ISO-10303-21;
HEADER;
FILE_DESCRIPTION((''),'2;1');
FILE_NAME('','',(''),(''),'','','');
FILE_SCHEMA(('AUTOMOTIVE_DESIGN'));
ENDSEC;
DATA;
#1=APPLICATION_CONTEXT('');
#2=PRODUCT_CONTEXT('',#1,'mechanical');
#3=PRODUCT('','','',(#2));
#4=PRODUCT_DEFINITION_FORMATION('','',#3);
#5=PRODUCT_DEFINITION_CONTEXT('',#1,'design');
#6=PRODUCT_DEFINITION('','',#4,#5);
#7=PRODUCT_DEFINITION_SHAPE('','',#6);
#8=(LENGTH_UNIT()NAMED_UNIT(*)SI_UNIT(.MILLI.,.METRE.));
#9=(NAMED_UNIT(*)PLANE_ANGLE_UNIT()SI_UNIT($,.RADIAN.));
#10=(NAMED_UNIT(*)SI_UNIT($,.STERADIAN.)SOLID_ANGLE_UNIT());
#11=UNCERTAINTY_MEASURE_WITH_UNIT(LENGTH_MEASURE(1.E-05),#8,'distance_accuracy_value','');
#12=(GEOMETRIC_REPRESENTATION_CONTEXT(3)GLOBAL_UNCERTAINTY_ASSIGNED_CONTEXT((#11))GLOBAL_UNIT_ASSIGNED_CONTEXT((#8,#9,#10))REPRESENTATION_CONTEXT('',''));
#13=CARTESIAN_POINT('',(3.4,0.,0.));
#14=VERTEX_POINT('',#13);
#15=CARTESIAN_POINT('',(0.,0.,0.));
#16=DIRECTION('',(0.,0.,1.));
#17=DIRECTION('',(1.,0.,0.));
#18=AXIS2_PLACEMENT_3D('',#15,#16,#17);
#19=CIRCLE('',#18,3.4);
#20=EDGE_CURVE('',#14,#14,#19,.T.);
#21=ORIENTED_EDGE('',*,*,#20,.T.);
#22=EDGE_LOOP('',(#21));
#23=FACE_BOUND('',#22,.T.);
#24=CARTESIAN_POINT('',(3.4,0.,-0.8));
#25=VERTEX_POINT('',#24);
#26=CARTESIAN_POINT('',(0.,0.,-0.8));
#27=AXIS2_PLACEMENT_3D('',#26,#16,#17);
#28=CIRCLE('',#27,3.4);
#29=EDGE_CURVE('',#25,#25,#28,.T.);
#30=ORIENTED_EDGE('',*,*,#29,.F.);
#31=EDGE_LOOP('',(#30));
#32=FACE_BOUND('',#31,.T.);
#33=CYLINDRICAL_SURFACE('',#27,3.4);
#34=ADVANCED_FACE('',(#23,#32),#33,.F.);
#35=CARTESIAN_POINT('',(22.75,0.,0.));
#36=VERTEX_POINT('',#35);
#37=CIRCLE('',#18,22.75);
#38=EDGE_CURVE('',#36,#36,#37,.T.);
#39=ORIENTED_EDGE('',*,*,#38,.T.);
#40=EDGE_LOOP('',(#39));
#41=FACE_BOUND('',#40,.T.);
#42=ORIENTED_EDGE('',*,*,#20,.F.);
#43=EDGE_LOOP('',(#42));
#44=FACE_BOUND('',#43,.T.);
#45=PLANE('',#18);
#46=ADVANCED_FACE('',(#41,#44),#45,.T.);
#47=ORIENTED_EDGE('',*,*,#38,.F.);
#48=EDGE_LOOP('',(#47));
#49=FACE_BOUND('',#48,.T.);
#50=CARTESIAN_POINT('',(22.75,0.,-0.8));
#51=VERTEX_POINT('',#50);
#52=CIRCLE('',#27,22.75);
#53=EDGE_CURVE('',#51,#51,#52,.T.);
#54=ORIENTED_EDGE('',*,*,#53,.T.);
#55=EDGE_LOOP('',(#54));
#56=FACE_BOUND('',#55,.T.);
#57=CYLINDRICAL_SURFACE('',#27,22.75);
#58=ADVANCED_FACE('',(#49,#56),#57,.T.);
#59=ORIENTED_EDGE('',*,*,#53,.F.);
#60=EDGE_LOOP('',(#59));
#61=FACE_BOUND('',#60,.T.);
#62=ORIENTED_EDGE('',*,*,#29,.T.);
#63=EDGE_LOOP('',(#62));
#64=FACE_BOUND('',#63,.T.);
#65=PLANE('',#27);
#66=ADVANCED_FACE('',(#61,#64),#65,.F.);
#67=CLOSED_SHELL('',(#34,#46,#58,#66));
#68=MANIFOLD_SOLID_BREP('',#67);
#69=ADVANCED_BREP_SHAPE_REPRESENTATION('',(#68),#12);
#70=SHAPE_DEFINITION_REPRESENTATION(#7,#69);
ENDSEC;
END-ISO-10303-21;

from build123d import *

# Parameters (mm, degrees)
ESQUISSE1_R          = 22.75
ESQUISSE1_R_2        = 3.4
BASE_EXTRUSION_DEPTH = 0.8


with BuildPart() as part:
    # Esquisse1 → Base-Extrusion (new body)
    with BuildSketch(Plane.XY):
        Circle(ESQUISSE1_R)
        Circle(ESQUISSE1_R_2, mode=Mode.SUBTRACT)
    extrude(amount=-BASE_EXTRUSION_DEPTH)


solid = part.part
